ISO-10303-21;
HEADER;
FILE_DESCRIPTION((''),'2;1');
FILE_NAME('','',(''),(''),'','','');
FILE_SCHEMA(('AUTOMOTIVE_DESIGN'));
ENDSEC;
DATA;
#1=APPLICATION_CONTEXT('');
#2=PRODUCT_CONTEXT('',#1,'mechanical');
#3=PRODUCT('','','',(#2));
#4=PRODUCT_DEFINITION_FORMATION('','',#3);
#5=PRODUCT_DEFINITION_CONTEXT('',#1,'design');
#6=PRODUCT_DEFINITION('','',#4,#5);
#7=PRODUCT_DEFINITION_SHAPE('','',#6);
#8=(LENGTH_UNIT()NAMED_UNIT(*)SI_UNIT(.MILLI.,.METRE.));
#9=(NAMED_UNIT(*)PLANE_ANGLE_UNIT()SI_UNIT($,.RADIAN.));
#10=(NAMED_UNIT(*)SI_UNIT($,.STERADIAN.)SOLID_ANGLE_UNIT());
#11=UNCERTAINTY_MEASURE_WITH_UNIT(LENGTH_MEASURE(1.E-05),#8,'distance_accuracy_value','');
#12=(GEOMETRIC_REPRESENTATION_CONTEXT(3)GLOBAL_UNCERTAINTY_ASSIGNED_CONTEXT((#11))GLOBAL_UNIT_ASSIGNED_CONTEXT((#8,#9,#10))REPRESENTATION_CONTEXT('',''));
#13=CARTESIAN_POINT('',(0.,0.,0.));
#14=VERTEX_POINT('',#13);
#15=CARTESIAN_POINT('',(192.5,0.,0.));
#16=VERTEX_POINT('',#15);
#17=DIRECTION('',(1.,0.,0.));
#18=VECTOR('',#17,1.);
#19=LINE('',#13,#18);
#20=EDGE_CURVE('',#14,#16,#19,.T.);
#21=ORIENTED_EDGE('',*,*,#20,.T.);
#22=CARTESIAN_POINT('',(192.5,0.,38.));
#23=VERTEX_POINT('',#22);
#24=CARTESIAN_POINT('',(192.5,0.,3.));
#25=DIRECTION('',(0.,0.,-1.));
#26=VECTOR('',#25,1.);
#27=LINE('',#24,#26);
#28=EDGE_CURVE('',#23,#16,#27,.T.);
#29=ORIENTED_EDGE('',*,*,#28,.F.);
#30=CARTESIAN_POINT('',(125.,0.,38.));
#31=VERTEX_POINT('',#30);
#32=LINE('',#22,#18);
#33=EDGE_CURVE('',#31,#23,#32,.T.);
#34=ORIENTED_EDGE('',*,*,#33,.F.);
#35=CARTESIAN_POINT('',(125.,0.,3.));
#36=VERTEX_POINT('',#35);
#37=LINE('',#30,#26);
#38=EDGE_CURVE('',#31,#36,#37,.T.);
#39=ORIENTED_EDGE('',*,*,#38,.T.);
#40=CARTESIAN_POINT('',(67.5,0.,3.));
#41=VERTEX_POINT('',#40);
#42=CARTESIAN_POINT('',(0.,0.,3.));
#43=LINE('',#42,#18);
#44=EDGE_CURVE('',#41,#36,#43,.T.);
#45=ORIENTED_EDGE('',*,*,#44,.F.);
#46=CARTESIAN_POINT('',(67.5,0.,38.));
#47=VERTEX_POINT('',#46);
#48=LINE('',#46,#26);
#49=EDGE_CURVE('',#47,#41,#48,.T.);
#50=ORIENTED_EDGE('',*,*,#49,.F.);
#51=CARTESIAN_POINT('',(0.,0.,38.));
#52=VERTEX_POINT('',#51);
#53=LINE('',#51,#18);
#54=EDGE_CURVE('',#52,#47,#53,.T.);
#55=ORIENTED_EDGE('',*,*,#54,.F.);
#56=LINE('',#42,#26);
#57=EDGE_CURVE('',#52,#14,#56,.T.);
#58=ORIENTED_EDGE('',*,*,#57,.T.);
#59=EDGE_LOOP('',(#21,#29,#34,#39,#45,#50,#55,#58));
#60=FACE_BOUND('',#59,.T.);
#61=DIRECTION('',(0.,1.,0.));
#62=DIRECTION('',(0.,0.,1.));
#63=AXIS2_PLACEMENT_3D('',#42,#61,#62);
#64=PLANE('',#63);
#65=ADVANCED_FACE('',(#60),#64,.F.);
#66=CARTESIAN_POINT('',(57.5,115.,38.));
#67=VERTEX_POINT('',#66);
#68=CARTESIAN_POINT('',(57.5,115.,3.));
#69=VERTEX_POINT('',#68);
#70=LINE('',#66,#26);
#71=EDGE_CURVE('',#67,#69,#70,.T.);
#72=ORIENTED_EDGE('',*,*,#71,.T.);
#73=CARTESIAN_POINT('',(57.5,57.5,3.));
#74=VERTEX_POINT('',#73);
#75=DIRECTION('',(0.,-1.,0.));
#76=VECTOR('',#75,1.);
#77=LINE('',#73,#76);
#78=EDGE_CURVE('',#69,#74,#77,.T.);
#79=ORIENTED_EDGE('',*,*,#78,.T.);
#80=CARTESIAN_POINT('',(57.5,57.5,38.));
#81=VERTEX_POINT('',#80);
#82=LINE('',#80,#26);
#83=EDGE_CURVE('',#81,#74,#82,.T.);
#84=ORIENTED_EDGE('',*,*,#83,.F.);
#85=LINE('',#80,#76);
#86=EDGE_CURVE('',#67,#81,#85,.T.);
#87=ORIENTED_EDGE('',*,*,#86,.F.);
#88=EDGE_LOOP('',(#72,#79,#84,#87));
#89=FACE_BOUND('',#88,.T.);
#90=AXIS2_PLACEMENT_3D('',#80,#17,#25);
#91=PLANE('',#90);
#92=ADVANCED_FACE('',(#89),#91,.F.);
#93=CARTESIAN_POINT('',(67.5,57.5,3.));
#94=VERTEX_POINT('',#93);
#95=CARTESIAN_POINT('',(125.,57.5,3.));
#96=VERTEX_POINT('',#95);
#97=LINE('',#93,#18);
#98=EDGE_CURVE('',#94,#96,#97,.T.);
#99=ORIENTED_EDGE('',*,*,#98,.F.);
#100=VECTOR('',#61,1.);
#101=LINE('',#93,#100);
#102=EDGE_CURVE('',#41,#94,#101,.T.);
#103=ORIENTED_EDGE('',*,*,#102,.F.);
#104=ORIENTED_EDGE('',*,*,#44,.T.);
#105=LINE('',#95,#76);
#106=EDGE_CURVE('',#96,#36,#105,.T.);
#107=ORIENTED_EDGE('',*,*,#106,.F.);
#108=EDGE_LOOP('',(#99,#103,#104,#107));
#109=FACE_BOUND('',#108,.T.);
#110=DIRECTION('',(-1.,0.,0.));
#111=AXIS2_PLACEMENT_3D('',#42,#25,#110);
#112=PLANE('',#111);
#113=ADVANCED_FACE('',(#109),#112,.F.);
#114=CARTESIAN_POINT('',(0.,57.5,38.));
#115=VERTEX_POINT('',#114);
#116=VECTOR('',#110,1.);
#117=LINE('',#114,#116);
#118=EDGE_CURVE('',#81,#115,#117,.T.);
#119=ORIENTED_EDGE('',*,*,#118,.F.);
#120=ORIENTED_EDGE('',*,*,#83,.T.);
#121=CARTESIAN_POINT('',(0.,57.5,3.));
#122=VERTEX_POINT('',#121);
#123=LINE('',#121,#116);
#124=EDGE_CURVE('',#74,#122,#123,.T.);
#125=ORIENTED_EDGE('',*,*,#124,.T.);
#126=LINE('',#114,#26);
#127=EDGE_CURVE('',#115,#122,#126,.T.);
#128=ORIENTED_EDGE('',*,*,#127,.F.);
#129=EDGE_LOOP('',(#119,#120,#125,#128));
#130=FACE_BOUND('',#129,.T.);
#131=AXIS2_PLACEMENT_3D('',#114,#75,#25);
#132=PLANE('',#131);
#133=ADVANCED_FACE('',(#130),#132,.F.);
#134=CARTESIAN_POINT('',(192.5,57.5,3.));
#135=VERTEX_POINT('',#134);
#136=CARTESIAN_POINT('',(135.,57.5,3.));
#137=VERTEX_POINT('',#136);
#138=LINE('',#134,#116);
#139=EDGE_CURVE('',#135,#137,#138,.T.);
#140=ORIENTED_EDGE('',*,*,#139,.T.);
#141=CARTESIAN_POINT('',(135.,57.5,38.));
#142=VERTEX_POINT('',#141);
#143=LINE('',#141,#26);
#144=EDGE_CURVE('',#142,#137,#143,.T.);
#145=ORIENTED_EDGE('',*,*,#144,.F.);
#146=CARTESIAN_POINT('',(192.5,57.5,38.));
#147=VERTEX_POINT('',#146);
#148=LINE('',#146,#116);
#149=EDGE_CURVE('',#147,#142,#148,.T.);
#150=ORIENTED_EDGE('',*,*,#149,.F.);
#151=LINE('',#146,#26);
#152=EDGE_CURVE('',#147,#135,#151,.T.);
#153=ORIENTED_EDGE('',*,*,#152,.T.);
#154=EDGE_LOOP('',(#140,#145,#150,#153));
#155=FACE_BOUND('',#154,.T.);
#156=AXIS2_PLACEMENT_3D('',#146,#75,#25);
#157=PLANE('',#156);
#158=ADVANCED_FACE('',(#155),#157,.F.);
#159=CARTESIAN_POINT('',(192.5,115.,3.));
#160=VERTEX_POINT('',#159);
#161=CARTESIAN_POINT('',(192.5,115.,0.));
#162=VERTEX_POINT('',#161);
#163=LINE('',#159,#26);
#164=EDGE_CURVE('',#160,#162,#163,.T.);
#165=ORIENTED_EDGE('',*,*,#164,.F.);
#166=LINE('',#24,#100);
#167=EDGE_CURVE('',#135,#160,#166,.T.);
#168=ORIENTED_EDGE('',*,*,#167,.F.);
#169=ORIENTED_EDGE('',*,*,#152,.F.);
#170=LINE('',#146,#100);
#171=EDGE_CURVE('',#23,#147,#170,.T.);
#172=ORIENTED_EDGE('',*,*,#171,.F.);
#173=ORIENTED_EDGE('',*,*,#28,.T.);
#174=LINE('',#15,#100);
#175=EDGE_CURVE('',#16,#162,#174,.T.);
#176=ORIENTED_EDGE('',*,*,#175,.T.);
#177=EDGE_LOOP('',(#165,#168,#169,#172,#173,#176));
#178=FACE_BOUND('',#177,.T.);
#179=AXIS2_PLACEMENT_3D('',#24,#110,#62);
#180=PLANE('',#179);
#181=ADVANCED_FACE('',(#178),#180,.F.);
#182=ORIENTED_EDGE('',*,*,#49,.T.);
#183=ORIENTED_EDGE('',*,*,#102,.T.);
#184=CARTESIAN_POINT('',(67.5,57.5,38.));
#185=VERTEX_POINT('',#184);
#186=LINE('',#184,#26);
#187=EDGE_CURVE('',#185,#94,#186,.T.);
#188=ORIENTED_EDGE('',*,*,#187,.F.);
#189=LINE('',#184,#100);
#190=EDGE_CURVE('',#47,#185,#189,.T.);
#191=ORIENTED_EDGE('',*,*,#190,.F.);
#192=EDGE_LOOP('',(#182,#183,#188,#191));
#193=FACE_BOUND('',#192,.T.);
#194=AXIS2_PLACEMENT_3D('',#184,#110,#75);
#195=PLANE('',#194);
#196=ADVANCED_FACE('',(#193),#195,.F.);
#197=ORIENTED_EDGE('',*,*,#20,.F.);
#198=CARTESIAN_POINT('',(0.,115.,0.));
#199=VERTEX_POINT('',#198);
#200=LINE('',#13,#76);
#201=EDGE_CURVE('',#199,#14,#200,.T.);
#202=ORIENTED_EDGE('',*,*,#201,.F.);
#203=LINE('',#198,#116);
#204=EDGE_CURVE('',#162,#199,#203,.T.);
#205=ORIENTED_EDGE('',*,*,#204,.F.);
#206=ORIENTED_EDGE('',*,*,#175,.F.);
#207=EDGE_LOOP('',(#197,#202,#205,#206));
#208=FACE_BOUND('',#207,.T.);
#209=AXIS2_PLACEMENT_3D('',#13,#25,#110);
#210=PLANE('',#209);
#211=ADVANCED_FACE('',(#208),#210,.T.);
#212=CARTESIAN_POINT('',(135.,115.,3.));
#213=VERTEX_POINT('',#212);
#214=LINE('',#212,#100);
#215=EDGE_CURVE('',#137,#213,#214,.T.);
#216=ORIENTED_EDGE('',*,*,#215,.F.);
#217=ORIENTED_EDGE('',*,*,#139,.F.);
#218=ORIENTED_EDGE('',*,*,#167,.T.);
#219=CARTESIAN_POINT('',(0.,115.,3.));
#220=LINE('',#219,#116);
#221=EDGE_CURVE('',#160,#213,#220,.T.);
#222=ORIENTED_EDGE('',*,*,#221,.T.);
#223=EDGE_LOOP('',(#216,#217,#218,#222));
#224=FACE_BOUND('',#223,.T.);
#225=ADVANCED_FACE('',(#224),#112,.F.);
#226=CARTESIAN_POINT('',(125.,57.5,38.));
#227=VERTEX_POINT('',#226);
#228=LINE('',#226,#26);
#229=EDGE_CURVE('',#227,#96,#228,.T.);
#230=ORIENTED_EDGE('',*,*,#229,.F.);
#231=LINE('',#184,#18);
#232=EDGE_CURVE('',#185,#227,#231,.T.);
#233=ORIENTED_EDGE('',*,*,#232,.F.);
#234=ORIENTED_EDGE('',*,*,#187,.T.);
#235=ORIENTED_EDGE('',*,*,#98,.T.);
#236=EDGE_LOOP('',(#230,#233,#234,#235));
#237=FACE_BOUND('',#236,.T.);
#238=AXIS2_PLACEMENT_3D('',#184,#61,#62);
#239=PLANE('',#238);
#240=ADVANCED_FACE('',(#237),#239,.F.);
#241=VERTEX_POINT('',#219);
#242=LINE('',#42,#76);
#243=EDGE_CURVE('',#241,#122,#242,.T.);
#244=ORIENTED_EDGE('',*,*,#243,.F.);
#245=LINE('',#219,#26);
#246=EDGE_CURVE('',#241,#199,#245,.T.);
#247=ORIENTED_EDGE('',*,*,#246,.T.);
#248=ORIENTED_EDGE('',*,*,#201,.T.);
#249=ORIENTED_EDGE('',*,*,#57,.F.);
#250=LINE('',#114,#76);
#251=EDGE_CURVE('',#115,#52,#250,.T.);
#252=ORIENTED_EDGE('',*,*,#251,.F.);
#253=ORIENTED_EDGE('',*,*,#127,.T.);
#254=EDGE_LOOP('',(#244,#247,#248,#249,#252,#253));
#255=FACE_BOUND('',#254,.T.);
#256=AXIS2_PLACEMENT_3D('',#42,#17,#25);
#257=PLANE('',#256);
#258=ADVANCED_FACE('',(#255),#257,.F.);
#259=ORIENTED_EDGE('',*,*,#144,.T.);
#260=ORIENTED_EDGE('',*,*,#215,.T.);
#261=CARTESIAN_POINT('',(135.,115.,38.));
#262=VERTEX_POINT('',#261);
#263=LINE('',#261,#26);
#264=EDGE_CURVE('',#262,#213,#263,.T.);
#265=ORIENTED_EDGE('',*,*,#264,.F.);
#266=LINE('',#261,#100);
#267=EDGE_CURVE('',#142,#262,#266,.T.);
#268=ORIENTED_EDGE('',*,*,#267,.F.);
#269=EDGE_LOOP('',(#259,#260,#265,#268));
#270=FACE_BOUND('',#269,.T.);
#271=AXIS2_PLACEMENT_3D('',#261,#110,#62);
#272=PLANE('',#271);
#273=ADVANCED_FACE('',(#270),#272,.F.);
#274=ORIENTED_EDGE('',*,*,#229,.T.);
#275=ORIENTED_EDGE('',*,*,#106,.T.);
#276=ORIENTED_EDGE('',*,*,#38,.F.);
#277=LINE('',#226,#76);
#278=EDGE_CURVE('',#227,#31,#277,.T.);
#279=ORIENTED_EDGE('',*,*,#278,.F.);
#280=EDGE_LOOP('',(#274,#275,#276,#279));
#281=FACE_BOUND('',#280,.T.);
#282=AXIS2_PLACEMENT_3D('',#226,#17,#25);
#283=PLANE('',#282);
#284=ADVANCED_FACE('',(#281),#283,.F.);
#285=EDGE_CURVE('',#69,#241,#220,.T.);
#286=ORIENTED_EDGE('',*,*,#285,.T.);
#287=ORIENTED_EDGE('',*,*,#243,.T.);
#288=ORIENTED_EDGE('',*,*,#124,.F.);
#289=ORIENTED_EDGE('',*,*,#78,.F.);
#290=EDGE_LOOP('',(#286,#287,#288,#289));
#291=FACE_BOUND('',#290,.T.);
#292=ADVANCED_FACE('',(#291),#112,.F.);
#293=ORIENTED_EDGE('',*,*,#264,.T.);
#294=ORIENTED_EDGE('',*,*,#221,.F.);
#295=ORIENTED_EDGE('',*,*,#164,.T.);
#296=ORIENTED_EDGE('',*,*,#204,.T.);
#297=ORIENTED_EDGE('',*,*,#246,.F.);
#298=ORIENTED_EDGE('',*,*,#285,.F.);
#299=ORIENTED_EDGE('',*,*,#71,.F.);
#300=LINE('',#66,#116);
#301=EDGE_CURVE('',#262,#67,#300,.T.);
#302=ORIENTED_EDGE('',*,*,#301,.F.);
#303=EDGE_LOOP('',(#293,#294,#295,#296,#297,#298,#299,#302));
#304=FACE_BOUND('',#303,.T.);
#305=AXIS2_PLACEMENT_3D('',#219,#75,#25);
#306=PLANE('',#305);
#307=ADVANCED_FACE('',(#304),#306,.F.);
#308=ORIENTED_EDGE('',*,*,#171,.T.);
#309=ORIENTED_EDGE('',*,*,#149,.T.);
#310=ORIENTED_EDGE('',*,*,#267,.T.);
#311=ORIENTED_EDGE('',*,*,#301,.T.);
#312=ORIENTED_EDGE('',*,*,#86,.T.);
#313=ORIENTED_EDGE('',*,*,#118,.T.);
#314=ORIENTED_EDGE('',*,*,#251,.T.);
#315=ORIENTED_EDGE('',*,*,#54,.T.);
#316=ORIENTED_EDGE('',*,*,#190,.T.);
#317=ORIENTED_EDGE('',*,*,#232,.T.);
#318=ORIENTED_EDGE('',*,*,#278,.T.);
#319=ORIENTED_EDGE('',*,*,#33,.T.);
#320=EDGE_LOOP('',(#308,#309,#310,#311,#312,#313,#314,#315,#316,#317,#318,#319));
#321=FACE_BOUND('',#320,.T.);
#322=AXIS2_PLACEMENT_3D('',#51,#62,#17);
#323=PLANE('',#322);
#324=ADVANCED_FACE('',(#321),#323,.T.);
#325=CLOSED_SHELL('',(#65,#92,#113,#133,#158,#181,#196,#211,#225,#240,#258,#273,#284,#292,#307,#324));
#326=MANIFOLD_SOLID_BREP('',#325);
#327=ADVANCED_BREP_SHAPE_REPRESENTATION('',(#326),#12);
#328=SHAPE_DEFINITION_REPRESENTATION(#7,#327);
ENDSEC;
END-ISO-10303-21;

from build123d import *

# Parameters (mm, degrees)
SKETCH1_W           = 192.5
SKETCH1_H           = 115
BOSS_EXTRUDE1_DEPTH = 3
BOSS_EXTRUDE2_DEPTH = 35


with BuildPart() as part:
    # Sketch1 → Boss-Extrude1 (new body)
    with BuildSketch(Plane.XY):
        with Locations((96.25, 57.5)):
            Rectangle(SKETCH1_W, SKETCH1_H)
    extrude(amount=BOSS_EXTRUDE1_DEPTH)

    # Sketch2 → Boss-Extrude2 (add)
    with BuildSketch(Plane.XY.offset(3)):
        Polygon((0, 57.5), (0, 0), (67.5, 0), (67.5, 57.5), (125, 57.5), (125, 0), (192.5, 0), (192.5, 57.5), (135, 57.5), (135, 115), (57.5, 115), (57.5, 57.5), align=None)
    extrude(amount=BOSS_EXTRUDE2_DEPTH)


solid = part.part
